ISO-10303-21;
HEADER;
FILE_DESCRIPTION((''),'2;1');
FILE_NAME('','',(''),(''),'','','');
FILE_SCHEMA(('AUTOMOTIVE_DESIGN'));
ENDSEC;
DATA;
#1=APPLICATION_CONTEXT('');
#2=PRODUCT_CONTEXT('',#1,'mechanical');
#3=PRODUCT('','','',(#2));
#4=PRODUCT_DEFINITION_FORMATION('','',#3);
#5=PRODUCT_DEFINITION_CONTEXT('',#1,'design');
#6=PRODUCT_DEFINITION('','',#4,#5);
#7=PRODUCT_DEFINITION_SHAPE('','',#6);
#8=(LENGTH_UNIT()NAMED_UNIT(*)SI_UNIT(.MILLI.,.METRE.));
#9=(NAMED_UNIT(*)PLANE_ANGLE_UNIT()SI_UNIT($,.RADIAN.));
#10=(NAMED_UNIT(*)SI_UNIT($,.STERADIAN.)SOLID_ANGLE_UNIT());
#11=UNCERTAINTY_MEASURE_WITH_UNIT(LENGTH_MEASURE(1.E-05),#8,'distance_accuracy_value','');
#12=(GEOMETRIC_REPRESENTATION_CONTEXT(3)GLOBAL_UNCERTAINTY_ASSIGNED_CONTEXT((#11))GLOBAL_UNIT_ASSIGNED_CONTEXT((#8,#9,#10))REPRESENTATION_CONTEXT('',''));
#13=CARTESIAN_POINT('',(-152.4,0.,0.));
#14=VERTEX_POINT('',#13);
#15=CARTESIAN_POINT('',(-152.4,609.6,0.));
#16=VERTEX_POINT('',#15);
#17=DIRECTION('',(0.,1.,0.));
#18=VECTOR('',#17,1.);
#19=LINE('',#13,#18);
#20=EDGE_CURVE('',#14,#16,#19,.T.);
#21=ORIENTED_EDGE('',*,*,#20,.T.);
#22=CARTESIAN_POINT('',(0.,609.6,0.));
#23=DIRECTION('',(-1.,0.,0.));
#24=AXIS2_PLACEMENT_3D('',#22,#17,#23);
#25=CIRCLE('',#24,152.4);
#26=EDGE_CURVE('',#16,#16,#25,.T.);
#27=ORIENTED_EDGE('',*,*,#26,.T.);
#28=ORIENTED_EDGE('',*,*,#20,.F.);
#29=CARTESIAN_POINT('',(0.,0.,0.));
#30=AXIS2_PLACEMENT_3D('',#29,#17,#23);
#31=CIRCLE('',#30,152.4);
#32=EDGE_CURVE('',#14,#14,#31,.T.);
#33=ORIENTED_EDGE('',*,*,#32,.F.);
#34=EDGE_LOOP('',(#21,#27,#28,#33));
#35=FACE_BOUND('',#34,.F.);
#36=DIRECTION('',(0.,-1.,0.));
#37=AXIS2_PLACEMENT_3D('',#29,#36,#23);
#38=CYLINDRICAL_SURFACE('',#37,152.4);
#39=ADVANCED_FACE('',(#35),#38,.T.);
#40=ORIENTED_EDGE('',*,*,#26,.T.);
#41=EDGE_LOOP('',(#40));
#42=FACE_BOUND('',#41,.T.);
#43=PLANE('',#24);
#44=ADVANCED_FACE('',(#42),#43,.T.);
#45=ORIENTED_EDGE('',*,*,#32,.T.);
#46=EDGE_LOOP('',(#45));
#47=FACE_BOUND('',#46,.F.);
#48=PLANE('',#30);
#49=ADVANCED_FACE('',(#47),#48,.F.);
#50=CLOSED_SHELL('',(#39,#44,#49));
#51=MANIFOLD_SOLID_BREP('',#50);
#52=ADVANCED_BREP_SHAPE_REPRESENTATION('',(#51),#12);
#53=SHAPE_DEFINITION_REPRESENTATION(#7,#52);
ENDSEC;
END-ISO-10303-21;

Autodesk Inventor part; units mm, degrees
ref_plane "YZ Plane" through (0, 0, 0) normal (1, 0, 0) x (0, 1, 0)
ref_plane "XZ Plane" through (0, 0, 0) normal (0, 1, 0) x (-1, 0, 0)
ref_plane "XY Plane" through (0, 0, 0) normal (0, 0, 1) x (1, 0, 0)
sketch "Sketch1" plane through (0, 0, 0) normal (0, 1, 0) x (-1, 0, 0)
  line L0 (213.36, 0) -> (-213.36, 0) construction
  line L1 (0, -213.36) -> (0, 213.36) construction
  circle A0 centre (0, 0) radius 152.4
  dimension "d0" = 304.8
extrude "Extrusion1" add sketch "Sketch1" along normal blind 609.6
equation "\"d0\" = Dia"
equation "\"d1\" = Height"
equation "\"Dia\" = 304.8"
equation "\"Height\" = 609.6"
properties part number "cylinder-demo"
